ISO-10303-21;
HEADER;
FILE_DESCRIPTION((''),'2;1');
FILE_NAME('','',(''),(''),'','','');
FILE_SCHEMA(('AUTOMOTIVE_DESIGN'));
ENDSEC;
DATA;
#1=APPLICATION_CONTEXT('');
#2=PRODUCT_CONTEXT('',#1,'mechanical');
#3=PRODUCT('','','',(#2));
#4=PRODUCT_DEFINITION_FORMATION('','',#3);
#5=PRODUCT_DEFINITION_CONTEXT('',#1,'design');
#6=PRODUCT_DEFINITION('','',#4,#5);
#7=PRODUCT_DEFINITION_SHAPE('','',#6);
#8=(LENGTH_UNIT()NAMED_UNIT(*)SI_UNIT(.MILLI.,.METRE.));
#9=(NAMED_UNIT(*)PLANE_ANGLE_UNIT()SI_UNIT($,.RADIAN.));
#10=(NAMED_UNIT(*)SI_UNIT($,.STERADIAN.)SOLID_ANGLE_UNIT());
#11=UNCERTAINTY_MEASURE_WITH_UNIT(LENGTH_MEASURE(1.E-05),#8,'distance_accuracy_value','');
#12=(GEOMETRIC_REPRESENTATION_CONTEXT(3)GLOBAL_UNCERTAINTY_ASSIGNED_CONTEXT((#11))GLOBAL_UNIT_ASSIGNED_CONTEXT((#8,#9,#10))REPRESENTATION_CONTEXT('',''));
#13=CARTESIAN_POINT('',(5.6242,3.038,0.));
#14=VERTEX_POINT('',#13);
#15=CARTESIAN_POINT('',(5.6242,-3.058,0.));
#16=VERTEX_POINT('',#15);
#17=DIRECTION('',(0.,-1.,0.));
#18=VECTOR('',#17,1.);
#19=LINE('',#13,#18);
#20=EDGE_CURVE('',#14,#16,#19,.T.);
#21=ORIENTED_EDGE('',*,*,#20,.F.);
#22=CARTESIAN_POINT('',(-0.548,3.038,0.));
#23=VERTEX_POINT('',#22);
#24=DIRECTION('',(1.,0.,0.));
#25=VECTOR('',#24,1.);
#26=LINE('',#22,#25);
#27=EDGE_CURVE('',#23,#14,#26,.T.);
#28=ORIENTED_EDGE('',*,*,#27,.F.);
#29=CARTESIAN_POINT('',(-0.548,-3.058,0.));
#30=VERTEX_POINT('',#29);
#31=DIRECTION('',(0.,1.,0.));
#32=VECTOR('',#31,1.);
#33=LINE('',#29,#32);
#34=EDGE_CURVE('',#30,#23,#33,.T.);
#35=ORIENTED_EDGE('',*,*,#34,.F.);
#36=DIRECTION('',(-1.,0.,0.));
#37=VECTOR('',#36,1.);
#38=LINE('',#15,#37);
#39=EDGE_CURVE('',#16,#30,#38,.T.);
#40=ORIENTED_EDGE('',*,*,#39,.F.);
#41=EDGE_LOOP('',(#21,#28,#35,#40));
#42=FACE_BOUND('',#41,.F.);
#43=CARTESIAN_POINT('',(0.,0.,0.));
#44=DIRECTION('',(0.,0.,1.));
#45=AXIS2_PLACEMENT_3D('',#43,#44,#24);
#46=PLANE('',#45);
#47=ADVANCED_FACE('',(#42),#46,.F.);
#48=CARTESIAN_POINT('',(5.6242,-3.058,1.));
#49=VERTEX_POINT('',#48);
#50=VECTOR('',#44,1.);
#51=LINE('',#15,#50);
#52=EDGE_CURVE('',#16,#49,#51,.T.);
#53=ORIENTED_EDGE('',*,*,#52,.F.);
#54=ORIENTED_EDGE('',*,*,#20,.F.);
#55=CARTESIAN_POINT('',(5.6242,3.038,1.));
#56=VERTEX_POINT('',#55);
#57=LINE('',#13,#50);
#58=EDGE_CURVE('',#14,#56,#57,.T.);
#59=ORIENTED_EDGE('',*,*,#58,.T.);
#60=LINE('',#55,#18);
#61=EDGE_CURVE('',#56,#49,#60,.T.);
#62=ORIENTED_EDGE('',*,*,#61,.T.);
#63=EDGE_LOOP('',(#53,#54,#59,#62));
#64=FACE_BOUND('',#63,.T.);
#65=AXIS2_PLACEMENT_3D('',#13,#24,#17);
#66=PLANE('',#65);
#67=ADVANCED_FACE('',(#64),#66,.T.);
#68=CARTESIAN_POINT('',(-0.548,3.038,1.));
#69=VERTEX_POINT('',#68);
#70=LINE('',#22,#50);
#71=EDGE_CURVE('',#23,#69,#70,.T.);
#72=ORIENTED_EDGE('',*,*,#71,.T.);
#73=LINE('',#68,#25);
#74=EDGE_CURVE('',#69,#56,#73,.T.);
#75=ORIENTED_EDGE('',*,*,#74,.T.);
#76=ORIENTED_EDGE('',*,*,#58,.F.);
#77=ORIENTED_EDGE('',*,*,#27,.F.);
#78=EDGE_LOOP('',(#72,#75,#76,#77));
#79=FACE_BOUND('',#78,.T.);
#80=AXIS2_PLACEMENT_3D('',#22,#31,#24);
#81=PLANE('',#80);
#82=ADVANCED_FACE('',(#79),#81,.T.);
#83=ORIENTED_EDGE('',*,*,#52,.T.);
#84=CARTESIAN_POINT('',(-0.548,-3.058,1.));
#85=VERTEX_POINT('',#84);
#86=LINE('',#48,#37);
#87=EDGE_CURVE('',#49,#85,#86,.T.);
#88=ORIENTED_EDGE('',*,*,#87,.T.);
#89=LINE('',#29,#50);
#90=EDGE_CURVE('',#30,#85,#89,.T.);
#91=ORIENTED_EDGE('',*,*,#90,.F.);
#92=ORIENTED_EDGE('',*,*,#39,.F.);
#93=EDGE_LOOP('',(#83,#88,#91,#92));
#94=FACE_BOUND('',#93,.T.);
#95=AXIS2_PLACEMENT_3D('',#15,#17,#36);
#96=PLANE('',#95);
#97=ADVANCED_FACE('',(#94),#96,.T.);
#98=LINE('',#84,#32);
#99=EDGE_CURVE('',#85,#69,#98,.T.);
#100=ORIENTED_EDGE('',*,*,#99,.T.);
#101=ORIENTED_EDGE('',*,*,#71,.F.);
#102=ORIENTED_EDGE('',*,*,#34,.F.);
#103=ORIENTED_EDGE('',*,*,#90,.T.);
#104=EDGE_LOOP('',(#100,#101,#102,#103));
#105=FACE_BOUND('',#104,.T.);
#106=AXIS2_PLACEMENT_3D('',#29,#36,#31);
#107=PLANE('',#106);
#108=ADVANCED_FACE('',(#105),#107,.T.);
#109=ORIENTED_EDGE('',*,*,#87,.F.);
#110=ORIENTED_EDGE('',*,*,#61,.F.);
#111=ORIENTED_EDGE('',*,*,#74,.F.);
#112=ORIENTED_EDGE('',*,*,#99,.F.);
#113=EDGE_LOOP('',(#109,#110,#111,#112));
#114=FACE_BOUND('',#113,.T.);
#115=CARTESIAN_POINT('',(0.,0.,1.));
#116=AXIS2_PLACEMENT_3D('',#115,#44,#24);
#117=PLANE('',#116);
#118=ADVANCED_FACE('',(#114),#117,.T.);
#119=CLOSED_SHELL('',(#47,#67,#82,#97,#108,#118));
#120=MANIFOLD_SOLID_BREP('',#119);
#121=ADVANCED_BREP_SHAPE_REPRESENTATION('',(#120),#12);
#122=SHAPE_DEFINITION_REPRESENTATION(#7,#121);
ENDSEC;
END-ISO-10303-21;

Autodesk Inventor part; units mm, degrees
ref_plane "YZ Plane" through (0, 0, 0) normal (1, 0, 0) x (0, 1, 0)
ref_plane "XZ Plane" through (0, 0, 0) normal (0, 1, 0) x (-1, 0, 0)
ref_plane "XY Plane" through (0, 0, 0) normal (0, 0, 1) x (1, 0, 0)
sketch "PBTH, RST_142" plane through (0, 0, 0) normal (0, 0, 1) x (1, 0, 0)
  line L0 (-0.548, 3.038) -> (5.6242, 3.038)
  line L1 (5.6242, 3.038) -> (5.6242, -3.058)
  line L2 (5.6242, -3.058) -> (-0.548, -3.058)
  line L3 (-0.548, -3.058) -> (-0.548, 3.038)
extrude "Extrusion1" add sketch "PBTH, RST_142" along normal blind 1
properties part number "RST"
